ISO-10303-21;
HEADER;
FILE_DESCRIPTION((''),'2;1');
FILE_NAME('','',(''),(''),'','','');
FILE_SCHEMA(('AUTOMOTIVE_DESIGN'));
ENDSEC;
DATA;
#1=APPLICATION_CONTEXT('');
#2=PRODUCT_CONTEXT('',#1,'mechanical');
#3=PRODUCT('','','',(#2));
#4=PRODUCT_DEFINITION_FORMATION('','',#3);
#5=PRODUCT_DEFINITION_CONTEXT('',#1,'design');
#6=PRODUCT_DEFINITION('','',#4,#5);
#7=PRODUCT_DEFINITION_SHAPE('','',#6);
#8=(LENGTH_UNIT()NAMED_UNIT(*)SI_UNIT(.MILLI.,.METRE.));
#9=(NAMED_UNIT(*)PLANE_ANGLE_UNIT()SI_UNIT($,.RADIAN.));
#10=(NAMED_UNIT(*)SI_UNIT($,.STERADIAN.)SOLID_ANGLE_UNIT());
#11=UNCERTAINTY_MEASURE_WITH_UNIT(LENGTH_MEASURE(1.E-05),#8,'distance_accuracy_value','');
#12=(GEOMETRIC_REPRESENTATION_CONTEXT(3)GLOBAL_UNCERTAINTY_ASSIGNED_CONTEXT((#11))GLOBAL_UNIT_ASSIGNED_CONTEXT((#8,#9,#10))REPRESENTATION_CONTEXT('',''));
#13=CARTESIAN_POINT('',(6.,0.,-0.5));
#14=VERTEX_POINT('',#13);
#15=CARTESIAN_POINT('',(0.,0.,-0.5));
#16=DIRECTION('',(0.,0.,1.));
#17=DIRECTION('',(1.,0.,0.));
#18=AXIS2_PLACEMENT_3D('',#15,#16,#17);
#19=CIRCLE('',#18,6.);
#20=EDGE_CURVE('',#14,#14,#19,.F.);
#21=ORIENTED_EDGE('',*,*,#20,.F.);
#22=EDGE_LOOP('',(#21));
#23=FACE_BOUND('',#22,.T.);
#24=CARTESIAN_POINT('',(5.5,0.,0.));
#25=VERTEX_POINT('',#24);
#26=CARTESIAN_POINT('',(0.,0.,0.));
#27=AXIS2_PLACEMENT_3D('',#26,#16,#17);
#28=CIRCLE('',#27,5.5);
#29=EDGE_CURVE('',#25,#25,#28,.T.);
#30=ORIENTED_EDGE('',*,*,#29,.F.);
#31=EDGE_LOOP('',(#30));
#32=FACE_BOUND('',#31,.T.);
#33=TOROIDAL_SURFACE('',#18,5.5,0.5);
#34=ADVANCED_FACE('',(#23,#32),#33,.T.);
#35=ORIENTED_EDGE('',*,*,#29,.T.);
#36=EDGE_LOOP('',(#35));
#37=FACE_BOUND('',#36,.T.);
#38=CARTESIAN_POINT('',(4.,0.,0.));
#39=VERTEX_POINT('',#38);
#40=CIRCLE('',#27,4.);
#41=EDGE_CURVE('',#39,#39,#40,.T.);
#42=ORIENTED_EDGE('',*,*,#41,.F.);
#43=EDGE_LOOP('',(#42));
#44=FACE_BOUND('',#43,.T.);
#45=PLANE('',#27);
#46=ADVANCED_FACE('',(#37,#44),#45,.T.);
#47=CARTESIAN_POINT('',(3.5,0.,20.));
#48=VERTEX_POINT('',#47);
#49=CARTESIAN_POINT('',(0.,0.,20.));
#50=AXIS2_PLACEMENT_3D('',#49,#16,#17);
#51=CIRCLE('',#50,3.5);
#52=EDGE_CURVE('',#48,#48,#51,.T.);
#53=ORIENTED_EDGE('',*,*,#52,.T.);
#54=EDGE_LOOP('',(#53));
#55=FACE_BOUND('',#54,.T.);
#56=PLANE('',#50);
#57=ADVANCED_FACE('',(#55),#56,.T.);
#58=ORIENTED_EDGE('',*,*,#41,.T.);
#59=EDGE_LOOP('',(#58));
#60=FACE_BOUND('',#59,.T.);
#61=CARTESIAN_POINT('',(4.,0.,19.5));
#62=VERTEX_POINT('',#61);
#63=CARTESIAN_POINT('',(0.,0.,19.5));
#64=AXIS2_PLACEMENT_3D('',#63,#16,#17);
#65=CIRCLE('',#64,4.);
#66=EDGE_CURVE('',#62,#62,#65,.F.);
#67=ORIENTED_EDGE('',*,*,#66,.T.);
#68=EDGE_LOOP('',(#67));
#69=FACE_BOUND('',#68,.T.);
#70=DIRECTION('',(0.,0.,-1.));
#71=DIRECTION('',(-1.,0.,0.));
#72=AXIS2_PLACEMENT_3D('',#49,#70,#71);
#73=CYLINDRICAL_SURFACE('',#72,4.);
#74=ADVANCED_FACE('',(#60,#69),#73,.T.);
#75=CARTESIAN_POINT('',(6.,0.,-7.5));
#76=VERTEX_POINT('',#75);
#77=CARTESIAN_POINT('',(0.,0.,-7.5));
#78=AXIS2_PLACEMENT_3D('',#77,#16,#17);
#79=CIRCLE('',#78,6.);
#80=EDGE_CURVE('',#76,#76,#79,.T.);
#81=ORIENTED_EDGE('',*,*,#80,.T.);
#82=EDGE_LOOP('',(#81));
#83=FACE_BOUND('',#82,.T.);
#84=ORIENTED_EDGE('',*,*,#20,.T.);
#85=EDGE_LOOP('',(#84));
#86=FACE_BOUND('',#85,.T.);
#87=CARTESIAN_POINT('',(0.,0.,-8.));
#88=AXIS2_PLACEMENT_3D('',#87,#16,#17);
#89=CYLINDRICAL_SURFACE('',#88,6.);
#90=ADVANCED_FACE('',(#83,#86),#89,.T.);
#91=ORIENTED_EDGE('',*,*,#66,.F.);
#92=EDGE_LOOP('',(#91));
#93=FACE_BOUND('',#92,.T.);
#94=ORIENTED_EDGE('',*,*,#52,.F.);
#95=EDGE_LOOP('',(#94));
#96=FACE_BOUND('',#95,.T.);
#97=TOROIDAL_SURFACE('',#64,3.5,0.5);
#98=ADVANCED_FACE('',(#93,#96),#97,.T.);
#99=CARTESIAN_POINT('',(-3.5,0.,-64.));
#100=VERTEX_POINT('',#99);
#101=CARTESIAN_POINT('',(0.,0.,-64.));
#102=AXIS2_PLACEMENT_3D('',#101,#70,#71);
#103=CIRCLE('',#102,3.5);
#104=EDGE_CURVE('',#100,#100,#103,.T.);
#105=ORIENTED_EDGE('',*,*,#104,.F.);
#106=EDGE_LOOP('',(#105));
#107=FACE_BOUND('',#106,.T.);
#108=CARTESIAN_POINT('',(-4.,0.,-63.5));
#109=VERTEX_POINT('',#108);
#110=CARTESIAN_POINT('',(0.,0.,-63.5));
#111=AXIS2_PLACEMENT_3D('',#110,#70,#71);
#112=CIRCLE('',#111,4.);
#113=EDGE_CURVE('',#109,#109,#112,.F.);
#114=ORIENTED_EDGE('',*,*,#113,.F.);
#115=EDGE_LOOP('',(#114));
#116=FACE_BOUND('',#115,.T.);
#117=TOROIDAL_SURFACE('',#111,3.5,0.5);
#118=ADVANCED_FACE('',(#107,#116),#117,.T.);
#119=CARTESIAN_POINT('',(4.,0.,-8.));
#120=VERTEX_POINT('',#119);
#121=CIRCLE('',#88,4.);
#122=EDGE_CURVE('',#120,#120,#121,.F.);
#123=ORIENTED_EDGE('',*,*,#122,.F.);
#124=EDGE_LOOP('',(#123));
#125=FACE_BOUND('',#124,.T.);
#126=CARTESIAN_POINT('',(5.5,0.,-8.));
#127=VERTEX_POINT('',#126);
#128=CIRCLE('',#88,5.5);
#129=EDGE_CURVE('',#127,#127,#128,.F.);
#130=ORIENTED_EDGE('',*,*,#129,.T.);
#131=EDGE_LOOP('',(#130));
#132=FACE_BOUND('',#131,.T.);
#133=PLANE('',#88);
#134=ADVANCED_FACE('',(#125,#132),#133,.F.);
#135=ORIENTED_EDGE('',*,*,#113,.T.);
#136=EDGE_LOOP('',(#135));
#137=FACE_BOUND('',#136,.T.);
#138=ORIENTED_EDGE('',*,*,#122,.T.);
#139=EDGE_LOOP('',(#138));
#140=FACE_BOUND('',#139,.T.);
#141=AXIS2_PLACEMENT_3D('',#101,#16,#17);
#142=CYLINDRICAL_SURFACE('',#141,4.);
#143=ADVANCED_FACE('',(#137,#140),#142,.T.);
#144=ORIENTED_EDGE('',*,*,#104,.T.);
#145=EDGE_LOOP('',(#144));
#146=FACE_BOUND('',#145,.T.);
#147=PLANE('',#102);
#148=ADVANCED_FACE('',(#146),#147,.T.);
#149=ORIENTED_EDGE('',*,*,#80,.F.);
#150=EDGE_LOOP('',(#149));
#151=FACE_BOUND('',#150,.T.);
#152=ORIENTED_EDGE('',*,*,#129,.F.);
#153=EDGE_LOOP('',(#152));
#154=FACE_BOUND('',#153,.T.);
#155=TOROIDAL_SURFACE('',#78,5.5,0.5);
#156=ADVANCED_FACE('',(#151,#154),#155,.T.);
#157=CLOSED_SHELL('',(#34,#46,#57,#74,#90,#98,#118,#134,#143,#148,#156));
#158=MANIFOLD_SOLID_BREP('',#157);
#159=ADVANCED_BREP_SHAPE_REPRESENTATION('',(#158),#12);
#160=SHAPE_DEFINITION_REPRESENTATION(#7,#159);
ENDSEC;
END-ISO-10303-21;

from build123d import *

# Parameters (mm, degrees)
SKETCH_1_R      = 4
EXTRUDE_1_DEPTH = 20
SKETCH_2_R      = 6
EXTRUDE_2_DEPTH = 8
EXTRUDE_START   = 56
SKETCH_3_R      = 4
EXTRUDE_5_DEPTH = 56
FILLET_1_R      = 0.5
FILLET_2_R      = 0.5


with BuildPart() as part:
    # 草图1 → 凸台-拉伸1 (new body)
    with BuildSketch(Plane.XY):
        Circle(SKETCH_1_R)
    extrude(amount=EXTRUDE_1_DEPTH)

    # 草图2 → 凸台-拉伸2 (add)
    with BuildSketch(Plane.XY):
        Circle(SKETCH_2_R)
    extrude(amount=-EXTRUDE_2_DEPTH)

    # 草图3 → 凸台-拉伸5 (add)
    with BuildSketch(Plane(origin=(0, 0, -8), x_dir=(-1, 0, 0), z_dir=(0, 0, -1)).offset(EXTRUDE_START)):
        with Locations(Location((0, 0, 0), (0, 0, 180))):
            Circle(SKETCH_3_R)
    extrude(amount=-EXTRUDE_5_DEPTH)

    # 圆角1
    fillet_1_edges = [part.edges().sort_by_distance(p)[0] for p in [
        (-4, 0, 20),
    ]]
    fillet(fillet_1_edges, radius=FILLET_1_R)

    # 圆角2
    fillet_2_edges = [part.edges().sort_by_distance(p)[0] for p in [
        (-4, 0, -64),
        (-6, 0, 0),
        (-6, 0, -8),
    ]]
    fillet(fillet_2_edges, radius=FILLET_2_R)


solid = part.part
